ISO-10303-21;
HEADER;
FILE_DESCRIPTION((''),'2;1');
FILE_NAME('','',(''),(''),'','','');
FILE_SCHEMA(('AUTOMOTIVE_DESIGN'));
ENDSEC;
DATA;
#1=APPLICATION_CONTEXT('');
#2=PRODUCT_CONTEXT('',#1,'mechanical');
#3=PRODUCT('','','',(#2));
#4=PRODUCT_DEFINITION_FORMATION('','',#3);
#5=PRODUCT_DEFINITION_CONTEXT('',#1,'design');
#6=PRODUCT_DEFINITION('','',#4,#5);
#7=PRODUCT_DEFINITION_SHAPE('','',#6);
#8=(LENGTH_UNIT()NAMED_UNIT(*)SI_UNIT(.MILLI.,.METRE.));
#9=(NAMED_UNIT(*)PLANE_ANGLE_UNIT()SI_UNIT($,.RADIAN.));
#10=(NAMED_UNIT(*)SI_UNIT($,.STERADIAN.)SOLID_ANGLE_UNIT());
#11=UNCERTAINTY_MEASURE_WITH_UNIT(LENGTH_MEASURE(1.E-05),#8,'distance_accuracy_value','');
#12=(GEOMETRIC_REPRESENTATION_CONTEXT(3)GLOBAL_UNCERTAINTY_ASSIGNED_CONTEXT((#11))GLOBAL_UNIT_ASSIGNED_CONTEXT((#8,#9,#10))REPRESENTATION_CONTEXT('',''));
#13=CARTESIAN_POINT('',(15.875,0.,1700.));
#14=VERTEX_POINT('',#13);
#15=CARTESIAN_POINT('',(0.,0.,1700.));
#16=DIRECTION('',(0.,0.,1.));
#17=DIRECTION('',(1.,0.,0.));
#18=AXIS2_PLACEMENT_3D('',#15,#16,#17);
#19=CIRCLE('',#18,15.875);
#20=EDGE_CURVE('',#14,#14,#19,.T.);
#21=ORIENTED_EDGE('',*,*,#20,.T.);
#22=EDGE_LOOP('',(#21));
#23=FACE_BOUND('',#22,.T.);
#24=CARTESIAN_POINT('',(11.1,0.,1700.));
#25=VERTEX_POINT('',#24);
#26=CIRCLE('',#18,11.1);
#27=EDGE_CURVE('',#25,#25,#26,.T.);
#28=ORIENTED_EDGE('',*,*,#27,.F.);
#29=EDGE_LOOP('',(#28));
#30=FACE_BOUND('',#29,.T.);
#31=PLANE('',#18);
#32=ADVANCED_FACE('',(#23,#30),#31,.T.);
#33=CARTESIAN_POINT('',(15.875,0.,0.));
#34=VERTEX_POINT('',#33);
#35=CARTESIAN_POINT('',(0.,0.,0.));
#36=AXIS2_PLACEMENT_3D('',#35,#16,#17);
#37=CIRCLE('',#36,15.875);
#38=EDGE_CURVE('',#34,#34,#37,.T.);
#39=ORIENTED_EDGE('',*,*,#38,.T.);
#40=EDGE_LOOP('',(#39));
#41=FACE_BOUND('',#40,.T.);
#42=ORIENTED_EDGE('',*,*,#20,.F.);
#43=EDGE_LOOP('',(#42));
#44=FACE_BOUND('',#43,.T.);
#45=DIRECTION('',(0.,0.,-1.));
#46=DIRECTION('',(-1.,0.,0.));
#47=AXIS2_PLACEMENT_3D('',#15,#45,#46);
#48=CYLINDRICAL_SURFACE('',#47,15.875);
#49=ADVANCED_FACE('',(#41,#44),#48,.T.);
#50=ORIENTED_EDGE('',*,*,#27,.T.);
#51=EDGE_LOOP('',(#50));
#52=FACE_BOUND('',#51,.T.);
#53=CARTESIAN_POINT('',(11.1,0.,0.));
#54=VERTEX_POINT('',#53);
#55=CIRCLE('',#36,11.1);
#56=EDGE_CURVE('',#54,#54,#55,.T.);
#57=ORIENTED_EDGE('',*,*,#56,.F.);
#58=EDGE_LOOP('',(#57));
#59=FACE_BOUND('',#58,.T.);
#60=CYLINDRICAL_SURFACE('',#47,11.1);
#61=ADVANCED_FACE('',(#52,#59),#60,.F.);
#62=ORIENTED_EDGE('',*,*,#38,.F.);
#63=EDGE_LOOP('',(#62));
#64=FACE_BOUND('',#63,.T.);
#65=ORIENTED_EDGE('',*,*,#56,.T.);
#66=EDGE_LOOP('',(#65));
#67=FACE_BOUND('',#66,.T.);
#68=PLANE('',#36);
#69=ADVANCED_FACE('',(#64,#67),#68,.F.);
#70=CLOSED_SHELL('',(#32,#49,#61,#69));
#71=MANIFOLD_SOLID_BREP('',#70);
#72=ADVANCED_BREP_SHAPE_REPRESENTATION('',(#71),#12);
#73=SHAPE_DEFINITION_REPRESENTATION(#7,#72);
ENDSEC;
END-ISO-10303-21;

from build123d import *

# Parameters (mm, degrees)
SKETCH1_R           = 15.875
SKETCH1_R_2         = 11.1
BOSS_EXTRUDE1_DEPTH = 1700


with BuildPart() as part:
    # Sketch1 → Boss-Extrude1 (new body)
    with BuildSketch(Plane(origin=(0, 0, 0), x_dir=(0, 1, 0), z_dir=(0, 0, 1))):
        with Locations(Location((0, 0, 0), (0, 0, 270))):
            Circle(SKETCH1_R)
        with Locations(Location((0, 0, 0), (0, 0, 270))):
            Circle(SKETCH1_R_2, mode=Mode.SUBTRACT)
    extrude(amount=BOSS_EXTRUDE1_DEPTH)


solid = part.part
